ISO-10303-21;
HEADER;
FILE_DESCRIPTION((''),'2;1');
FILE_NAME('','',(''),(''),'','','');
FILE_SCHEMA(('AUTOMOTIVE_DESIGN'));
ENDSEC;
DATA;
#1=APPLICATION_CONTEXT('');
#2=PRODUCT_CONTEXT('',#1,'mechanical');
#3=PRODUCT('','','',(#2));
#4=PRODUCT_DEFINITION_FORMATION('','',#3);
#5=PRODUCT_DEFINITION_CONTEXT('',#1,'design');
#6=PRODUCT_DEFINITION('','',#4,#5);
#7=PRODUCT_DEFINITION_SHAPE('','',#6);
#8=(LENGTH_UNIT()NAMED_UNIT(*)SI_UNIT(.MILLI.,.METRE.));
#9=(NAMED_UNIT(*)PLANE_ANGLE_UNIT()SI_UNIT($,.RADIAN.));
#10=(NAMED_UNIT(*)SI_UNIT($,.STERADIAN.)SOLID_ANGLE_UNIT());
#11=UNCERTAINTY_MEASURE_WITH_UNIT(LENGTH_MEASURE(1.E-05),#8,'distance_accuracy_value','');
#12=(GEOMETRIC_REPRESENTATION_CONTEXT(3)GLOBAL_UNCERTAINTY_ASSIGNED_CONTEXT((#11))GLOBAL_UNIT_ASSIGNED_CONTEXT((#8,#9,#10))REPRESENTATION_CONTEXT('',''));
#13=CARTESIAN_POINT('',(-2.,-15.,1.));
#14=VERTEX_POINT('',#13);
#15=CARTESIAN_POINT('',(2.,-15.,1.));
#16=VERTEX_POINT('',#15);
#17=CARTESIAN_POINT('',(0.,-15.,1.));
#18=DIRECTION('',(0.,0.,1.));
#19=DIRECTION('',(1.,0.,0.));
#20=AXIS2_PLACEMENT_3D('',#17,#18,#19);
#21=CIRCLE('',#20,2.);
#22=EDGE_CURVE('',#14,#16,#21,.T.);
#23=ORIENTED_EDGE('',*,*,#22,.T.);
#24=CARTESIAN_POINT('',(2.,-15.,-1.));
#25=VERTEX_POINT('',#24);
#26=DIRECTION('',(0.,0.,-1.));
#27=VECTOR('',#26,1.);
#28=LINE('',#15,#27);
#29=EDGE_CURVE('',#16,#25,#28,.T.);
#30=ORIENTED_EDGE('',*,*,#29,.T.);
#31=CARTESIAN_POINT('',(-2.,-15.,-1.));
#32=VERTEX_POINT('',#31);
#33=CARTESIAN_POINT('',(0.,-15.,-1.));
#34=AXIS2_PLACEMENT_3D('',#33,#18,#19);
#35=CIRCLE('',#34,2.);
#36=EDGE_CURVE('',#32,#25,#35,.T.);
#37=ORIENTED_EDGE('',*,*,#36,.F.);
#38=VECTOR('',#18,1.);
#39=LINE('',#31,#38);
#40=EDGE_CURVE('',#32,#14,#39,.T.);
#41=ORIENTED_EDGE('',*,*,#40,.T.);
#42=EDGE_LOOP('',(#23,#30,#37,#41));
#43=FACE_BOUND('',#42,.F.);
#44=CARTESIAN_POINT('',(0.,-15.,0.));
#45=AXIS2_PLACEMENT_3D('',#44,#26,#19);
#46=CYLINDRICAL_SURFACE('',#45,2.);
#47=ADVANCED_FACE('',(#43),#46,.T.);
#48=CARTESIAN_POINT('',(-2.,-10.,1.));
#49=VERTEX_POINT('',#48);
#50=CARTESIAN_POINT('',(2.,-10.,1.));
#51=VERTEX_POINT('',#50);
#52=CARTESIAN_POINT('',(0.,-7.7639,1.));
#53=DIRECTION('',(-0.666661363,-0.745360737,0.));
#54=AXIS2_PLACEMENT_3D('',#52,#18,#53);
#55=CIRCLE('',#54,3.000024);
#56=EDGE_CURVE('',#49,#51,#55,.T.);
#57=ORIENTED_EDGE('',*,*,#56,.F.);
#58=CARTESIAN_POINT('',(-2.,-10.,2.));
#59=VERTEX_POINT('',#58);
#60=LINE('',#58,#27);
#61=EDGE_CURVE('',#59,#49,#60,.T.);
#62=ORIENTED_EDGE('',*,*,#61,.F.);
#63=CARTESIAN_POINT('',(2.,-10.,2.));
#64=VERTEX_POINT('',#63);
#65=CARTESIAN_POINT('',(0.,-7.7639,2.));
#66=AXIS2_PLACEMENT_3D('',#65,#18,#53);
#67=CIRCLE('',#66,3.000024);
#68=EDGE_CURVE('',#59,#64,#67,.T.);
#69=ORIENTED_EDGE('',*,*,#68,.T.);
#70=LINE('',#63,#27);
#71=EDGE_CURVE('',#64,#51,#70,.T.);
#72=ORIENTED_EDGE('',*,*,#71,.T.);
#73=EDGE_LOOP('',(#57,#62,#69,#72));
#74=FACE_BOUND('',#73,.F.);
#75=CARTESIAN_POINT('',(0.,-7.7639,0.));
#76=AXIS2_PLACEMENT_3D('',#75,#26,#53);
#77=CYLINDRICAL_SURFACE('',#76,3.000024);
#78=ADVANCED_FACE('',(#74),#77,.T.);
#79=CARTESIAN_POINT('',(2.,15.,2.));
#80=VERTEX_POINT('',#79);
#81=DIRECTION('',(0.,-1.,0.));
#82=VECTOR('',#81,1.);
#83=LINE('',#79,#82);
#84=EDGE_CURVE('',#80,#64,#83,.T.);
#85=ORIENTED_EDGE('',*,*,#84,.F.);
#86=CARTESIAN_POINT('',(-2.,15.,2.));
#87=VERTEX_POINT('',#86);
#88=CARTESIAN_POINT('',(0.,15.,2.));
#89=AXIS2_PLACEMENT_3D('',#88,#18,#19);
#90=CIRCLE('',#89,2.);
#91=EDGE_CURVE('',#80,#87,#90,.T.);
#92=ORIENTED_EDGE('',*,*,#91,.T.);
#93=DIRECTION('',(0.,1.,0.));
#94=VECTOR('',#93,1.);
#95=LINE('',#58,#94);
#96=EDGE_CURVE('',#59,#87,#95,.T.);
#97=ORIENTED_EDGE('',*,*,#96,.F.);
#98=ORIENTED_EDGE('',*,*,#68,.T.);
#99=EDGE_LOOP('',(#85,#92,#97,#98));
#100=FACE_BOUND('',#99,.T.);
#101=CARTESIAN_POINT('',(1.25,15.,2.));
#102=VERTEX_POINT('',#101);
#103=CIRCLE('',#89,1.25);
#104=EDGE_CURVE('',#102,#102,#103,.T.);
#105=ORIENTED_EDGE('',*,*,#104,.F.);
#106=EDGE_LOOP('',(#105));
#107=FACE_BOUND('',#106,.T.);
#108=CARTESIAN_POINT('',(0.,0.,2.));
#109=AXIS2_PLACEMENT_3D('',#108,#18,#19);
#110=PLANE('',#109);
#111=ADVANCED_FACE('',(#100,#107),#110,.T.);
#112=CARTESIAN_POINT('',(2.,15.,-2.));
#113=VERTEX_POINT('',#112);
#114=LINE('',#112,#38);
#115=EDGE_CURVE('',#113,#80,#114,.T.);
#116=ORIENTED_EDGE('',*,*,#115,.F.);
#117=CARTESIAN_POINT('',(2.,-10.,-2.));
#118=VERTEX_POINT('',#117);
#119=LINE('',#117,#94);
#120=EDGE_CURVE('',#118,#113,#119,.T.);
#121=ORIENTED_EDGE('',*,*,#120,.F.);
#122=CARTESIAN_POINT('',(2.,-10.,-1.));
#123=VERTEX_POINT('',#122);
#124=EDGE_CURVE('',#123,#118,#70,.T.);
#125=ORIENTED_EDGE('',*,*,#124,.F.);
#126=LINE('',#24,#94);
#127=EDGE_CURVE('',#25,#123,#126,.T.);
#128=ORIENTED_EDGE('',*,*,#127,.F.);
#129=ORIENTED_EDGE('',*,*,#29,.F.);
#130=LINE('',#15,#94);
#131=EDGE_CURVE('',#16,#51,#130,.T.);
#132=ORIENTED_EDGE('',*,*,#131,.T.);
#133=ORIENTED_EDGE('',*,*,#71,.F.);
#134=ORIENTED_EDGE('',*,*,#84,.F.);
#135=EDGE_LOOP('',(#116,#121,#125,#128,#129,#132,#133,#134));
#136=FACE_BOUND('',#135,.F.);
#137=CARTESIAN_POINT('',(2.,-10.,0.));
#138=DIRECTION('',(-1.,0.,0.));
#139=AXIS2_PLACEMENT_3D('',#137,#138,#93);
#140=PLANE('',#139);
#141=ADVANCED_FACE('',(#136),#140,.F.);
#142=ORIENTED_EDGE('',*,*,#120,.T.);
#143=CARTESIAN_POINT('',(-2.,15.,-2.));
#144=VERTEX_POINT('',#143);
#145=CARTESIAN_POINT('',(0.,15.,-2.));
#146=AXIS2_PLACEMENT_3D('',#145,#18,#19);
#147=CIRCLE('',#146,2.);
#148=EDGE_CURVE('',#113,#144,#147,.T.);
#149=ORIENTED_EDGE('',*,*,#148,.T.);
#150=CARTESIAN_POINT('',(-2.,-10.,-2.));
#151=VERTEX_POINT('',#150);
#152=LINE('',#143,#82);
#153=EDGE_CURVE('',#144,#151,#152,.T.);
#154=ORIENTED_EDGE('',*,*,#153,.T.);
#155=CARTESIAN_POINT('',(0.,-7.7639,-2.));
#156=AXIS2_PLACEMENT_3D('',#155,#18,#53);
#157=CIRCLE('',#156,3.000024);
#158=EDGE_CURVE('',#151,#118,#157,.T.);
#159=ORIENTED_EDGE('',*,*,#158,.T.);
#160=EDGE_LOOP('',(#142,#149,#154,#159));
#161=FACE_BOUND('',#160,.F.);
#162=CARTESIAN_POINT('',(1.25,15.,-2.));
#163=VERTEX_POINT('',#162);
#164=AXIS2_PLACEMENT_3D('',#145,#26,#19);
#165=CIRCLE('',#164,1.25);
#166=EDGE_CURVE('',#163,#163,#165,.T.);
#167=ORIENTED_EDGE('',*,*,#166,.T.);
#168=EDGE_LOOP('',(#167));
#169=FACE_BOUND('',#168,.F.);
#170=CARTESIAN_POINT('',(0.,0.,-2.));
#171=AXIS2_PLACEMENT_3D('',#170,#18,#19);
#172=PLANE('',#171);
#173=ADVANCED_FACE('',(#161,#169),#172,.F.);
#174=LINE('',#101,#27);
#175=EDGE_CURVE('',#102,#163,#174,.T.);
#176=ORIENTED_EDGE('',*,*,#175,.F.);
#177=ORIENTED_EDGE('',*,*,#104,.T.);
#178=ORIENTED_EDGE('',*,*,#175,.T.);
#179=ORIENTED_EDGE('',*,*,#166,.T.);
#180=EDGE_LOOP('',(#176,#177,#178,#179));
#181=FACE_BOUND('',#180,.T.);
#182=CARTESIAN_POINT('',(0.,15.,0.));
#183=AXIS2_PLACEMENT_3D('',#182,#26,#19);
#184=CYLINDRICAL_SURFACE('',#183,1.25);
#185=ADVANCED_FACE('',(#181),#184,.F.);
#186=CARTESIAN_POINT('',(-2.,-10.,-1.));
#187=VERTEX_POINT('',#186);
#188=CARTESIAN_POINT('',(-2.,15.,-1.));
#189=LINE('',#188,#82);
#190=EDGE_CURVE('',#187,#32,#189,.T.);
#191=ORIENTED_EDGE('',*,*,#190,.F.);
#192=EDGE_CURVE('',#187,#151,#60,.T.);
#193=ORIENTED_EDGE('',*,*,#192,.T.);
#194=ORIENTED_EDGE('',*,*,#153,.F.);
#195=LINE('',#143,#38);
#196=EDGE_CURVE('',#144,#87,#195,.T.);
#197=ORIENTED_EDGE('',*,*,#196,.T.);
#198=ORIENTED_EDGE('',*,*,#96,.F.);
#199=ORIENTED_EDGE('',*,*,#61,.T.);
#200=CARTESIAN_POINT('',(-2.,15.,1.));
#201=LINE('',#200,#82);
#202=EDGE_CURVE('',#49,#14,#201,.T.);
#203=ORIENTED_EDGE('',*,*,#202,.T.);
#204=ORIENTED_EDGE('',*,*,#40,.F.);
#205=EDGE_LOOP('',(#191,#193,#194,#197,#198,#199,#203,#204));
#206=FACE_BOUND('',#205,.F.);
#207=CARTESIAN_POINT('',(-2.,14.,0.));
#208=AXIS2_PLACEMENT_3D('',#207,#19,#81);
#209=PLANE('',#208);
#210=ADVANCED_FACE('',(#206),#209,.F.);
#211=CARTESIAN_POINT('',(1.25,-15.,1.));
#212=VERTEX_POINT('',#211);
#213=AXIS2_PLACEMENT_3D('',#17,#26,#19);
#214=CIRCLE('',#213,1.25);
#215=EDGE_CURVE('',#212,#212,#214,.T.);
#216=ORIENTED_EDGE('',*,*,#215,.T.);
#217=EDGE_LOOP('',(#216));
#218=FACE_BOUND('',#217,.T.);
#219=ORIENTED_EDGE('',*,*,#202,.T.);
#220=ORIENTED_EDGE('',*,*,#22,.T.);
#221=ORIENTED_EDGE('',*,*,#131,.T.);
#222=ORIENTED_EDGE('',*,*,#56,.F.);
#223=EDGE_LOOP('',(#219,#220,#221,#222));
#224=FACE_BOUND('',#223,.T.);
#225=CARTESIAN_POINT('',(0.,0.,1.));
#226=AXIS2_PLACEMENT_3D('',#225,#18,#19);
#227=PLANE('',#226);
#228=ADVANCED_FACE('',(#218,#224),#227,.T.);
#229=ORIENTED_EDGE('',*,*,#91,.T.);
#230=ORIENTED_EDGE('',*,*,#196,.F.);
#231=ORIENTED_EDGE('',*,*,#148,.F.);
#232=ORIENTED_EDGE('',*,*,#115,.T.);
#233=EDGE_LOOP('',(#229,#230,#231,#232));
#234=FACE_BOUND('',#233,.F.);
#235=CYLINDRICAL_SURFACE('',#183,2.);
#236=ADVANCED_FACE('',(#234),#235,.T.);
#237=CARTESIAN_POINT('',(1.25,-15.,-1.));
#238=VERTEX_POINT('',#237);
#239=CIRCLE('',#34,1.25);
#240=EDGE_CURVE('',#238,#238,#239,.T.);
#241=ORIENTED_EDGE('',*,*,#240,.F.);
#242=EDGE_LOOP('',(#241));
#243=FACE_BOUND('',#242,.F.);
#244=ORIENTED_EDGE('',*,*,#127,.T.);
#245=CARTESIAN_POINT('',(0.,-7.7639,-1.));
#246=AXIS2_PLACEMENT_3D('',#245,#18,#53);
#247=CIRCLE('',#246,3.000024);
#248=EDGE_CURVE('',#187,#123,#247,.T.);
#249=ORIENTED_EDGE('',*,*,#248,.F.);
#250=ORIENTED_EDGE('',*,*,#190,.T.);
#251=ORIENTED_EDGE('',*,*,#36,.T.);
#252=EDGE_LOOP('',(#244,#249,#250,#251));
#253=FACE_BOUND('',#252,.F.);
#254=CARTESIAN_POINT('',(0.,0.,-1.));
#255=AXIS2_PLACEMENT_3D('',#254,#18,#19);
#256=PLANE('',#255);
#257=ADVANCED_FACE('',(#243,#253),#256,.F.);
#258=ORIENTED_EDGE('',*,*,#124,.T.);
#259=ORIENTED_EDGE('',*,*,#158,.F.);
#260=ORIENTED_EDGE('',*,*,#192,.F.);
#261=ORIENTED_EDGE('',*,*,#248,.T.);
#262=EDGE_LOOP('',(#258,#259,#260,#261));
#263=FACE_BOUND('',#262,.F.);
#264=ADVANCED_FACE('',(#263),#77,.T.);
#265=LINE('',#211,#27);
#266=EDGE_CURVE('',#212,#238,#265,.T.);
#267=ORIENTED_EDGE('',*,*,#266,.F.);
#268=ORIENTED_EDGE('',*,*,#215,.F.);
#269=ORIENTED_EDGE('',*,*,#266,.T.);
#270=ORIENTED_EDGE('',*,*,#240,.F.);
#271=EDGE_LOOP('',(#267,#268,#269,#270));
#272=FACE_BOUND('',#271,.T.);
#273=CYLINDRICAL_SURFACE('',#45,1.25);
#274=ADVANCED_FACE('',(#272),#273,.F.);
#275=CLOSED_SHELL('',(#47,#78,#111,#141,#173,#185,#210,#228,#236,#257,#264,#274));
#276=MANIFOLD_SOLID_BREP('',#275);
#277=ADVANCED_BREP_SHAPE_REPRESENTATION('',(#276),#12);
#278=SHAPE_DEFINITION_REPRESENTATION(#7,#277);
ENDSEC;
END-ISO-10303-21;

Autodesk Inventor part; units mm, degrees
ref_plane "YZ Plane" through (0, 0, 0) normal (1, 0, 0) x (0, 1, 0)
ref_plane "XZ Plane" through (0, 0, 0) normal (0, 1, 0) x (-1, 0, 0)
ref_plane "XY Plane" through (0, 0, 0) normal (0, 0, 1) x (1, 0, 0)
sketch "Sketch6" plane through (0, 0, 0) normal (0, 0, 1) x (1, 0, 0)
  line L0 (0, 0) -> (0, 15)
  line L1 (0, 15) -> (2, 15)
  line L2 (2, 15) -> (-2, 15)
  line L3 (-2, 15) -> (-2, -15)
  line L4 (-2, -15) -> (2, -15)
  line L5 (2, -15) -> (2, 15)
  circle A0 centre (0, 15) radius 1.25
  circle A1 centre (0, 15) radius 2
  circle A2 centre (0, -15) radius 1.25
  circle A3 centre (0, -15) radius 2
  line L6 (-2, -15) -> (-2, -10)
  line L7 (2, -15) -> (2, -10)
  line L8 (-2, 15) -> (2, 15)
  line L9 (2, 15) -> (2, 14)
  line L10 (2, 14) -> (-2, 14)
  line L11 (-2, 14) -> (-2, 15)
  arc A4 (-2, 14) -> (2, 14) centre (0, 14) ccw
  arc A5 (-2, -10) -> (2, -10) centre (0, -7.7639) ccw
  point P0 (-2, 14)
  point P1 (0, 12)
  point P2 (0, 13.75)
  point P3 (1.25, 15)
  dimension "d115" = 15
  dimension "d116" = 2
  dimension "d117" = 4
  dimension "d118" = 30
  dimension "d119" = 2.5
  dimension "d120" = 2.5
  dimension "d122" = 5
  dimension "d124" = 1
  dimension "d125" = 2
  dimension "d132" = 3
  dimension "d133" = 5
extrude "Extrusion8" add sketch "Sketch6" along normal mid plane 4 contours A4 L10 A1 L0 | A4 L5 A5 L3 | L0 A1 L10 A4 | A1 L10 A0 L0 | L0 A0 L10 A1 | L3 A1 L10 | L10 A1 L5 | A1 L2 A0 L10 | L10 A0 L1 A1 | A1 L1 A0 L2
extrude "Extrusion9" cut sketch "Sketch6" along normal mid plane 2 contours A3 L4 A2 | L4 A2 A3
extrude "Extrusion10" add sketch "Sketch6" along normal mid plane 2 contours A5 L5 A3 L3 | A3 L4 A2 | L4 A2 A3
properties part number "link7" material "Aluminum 6061"
